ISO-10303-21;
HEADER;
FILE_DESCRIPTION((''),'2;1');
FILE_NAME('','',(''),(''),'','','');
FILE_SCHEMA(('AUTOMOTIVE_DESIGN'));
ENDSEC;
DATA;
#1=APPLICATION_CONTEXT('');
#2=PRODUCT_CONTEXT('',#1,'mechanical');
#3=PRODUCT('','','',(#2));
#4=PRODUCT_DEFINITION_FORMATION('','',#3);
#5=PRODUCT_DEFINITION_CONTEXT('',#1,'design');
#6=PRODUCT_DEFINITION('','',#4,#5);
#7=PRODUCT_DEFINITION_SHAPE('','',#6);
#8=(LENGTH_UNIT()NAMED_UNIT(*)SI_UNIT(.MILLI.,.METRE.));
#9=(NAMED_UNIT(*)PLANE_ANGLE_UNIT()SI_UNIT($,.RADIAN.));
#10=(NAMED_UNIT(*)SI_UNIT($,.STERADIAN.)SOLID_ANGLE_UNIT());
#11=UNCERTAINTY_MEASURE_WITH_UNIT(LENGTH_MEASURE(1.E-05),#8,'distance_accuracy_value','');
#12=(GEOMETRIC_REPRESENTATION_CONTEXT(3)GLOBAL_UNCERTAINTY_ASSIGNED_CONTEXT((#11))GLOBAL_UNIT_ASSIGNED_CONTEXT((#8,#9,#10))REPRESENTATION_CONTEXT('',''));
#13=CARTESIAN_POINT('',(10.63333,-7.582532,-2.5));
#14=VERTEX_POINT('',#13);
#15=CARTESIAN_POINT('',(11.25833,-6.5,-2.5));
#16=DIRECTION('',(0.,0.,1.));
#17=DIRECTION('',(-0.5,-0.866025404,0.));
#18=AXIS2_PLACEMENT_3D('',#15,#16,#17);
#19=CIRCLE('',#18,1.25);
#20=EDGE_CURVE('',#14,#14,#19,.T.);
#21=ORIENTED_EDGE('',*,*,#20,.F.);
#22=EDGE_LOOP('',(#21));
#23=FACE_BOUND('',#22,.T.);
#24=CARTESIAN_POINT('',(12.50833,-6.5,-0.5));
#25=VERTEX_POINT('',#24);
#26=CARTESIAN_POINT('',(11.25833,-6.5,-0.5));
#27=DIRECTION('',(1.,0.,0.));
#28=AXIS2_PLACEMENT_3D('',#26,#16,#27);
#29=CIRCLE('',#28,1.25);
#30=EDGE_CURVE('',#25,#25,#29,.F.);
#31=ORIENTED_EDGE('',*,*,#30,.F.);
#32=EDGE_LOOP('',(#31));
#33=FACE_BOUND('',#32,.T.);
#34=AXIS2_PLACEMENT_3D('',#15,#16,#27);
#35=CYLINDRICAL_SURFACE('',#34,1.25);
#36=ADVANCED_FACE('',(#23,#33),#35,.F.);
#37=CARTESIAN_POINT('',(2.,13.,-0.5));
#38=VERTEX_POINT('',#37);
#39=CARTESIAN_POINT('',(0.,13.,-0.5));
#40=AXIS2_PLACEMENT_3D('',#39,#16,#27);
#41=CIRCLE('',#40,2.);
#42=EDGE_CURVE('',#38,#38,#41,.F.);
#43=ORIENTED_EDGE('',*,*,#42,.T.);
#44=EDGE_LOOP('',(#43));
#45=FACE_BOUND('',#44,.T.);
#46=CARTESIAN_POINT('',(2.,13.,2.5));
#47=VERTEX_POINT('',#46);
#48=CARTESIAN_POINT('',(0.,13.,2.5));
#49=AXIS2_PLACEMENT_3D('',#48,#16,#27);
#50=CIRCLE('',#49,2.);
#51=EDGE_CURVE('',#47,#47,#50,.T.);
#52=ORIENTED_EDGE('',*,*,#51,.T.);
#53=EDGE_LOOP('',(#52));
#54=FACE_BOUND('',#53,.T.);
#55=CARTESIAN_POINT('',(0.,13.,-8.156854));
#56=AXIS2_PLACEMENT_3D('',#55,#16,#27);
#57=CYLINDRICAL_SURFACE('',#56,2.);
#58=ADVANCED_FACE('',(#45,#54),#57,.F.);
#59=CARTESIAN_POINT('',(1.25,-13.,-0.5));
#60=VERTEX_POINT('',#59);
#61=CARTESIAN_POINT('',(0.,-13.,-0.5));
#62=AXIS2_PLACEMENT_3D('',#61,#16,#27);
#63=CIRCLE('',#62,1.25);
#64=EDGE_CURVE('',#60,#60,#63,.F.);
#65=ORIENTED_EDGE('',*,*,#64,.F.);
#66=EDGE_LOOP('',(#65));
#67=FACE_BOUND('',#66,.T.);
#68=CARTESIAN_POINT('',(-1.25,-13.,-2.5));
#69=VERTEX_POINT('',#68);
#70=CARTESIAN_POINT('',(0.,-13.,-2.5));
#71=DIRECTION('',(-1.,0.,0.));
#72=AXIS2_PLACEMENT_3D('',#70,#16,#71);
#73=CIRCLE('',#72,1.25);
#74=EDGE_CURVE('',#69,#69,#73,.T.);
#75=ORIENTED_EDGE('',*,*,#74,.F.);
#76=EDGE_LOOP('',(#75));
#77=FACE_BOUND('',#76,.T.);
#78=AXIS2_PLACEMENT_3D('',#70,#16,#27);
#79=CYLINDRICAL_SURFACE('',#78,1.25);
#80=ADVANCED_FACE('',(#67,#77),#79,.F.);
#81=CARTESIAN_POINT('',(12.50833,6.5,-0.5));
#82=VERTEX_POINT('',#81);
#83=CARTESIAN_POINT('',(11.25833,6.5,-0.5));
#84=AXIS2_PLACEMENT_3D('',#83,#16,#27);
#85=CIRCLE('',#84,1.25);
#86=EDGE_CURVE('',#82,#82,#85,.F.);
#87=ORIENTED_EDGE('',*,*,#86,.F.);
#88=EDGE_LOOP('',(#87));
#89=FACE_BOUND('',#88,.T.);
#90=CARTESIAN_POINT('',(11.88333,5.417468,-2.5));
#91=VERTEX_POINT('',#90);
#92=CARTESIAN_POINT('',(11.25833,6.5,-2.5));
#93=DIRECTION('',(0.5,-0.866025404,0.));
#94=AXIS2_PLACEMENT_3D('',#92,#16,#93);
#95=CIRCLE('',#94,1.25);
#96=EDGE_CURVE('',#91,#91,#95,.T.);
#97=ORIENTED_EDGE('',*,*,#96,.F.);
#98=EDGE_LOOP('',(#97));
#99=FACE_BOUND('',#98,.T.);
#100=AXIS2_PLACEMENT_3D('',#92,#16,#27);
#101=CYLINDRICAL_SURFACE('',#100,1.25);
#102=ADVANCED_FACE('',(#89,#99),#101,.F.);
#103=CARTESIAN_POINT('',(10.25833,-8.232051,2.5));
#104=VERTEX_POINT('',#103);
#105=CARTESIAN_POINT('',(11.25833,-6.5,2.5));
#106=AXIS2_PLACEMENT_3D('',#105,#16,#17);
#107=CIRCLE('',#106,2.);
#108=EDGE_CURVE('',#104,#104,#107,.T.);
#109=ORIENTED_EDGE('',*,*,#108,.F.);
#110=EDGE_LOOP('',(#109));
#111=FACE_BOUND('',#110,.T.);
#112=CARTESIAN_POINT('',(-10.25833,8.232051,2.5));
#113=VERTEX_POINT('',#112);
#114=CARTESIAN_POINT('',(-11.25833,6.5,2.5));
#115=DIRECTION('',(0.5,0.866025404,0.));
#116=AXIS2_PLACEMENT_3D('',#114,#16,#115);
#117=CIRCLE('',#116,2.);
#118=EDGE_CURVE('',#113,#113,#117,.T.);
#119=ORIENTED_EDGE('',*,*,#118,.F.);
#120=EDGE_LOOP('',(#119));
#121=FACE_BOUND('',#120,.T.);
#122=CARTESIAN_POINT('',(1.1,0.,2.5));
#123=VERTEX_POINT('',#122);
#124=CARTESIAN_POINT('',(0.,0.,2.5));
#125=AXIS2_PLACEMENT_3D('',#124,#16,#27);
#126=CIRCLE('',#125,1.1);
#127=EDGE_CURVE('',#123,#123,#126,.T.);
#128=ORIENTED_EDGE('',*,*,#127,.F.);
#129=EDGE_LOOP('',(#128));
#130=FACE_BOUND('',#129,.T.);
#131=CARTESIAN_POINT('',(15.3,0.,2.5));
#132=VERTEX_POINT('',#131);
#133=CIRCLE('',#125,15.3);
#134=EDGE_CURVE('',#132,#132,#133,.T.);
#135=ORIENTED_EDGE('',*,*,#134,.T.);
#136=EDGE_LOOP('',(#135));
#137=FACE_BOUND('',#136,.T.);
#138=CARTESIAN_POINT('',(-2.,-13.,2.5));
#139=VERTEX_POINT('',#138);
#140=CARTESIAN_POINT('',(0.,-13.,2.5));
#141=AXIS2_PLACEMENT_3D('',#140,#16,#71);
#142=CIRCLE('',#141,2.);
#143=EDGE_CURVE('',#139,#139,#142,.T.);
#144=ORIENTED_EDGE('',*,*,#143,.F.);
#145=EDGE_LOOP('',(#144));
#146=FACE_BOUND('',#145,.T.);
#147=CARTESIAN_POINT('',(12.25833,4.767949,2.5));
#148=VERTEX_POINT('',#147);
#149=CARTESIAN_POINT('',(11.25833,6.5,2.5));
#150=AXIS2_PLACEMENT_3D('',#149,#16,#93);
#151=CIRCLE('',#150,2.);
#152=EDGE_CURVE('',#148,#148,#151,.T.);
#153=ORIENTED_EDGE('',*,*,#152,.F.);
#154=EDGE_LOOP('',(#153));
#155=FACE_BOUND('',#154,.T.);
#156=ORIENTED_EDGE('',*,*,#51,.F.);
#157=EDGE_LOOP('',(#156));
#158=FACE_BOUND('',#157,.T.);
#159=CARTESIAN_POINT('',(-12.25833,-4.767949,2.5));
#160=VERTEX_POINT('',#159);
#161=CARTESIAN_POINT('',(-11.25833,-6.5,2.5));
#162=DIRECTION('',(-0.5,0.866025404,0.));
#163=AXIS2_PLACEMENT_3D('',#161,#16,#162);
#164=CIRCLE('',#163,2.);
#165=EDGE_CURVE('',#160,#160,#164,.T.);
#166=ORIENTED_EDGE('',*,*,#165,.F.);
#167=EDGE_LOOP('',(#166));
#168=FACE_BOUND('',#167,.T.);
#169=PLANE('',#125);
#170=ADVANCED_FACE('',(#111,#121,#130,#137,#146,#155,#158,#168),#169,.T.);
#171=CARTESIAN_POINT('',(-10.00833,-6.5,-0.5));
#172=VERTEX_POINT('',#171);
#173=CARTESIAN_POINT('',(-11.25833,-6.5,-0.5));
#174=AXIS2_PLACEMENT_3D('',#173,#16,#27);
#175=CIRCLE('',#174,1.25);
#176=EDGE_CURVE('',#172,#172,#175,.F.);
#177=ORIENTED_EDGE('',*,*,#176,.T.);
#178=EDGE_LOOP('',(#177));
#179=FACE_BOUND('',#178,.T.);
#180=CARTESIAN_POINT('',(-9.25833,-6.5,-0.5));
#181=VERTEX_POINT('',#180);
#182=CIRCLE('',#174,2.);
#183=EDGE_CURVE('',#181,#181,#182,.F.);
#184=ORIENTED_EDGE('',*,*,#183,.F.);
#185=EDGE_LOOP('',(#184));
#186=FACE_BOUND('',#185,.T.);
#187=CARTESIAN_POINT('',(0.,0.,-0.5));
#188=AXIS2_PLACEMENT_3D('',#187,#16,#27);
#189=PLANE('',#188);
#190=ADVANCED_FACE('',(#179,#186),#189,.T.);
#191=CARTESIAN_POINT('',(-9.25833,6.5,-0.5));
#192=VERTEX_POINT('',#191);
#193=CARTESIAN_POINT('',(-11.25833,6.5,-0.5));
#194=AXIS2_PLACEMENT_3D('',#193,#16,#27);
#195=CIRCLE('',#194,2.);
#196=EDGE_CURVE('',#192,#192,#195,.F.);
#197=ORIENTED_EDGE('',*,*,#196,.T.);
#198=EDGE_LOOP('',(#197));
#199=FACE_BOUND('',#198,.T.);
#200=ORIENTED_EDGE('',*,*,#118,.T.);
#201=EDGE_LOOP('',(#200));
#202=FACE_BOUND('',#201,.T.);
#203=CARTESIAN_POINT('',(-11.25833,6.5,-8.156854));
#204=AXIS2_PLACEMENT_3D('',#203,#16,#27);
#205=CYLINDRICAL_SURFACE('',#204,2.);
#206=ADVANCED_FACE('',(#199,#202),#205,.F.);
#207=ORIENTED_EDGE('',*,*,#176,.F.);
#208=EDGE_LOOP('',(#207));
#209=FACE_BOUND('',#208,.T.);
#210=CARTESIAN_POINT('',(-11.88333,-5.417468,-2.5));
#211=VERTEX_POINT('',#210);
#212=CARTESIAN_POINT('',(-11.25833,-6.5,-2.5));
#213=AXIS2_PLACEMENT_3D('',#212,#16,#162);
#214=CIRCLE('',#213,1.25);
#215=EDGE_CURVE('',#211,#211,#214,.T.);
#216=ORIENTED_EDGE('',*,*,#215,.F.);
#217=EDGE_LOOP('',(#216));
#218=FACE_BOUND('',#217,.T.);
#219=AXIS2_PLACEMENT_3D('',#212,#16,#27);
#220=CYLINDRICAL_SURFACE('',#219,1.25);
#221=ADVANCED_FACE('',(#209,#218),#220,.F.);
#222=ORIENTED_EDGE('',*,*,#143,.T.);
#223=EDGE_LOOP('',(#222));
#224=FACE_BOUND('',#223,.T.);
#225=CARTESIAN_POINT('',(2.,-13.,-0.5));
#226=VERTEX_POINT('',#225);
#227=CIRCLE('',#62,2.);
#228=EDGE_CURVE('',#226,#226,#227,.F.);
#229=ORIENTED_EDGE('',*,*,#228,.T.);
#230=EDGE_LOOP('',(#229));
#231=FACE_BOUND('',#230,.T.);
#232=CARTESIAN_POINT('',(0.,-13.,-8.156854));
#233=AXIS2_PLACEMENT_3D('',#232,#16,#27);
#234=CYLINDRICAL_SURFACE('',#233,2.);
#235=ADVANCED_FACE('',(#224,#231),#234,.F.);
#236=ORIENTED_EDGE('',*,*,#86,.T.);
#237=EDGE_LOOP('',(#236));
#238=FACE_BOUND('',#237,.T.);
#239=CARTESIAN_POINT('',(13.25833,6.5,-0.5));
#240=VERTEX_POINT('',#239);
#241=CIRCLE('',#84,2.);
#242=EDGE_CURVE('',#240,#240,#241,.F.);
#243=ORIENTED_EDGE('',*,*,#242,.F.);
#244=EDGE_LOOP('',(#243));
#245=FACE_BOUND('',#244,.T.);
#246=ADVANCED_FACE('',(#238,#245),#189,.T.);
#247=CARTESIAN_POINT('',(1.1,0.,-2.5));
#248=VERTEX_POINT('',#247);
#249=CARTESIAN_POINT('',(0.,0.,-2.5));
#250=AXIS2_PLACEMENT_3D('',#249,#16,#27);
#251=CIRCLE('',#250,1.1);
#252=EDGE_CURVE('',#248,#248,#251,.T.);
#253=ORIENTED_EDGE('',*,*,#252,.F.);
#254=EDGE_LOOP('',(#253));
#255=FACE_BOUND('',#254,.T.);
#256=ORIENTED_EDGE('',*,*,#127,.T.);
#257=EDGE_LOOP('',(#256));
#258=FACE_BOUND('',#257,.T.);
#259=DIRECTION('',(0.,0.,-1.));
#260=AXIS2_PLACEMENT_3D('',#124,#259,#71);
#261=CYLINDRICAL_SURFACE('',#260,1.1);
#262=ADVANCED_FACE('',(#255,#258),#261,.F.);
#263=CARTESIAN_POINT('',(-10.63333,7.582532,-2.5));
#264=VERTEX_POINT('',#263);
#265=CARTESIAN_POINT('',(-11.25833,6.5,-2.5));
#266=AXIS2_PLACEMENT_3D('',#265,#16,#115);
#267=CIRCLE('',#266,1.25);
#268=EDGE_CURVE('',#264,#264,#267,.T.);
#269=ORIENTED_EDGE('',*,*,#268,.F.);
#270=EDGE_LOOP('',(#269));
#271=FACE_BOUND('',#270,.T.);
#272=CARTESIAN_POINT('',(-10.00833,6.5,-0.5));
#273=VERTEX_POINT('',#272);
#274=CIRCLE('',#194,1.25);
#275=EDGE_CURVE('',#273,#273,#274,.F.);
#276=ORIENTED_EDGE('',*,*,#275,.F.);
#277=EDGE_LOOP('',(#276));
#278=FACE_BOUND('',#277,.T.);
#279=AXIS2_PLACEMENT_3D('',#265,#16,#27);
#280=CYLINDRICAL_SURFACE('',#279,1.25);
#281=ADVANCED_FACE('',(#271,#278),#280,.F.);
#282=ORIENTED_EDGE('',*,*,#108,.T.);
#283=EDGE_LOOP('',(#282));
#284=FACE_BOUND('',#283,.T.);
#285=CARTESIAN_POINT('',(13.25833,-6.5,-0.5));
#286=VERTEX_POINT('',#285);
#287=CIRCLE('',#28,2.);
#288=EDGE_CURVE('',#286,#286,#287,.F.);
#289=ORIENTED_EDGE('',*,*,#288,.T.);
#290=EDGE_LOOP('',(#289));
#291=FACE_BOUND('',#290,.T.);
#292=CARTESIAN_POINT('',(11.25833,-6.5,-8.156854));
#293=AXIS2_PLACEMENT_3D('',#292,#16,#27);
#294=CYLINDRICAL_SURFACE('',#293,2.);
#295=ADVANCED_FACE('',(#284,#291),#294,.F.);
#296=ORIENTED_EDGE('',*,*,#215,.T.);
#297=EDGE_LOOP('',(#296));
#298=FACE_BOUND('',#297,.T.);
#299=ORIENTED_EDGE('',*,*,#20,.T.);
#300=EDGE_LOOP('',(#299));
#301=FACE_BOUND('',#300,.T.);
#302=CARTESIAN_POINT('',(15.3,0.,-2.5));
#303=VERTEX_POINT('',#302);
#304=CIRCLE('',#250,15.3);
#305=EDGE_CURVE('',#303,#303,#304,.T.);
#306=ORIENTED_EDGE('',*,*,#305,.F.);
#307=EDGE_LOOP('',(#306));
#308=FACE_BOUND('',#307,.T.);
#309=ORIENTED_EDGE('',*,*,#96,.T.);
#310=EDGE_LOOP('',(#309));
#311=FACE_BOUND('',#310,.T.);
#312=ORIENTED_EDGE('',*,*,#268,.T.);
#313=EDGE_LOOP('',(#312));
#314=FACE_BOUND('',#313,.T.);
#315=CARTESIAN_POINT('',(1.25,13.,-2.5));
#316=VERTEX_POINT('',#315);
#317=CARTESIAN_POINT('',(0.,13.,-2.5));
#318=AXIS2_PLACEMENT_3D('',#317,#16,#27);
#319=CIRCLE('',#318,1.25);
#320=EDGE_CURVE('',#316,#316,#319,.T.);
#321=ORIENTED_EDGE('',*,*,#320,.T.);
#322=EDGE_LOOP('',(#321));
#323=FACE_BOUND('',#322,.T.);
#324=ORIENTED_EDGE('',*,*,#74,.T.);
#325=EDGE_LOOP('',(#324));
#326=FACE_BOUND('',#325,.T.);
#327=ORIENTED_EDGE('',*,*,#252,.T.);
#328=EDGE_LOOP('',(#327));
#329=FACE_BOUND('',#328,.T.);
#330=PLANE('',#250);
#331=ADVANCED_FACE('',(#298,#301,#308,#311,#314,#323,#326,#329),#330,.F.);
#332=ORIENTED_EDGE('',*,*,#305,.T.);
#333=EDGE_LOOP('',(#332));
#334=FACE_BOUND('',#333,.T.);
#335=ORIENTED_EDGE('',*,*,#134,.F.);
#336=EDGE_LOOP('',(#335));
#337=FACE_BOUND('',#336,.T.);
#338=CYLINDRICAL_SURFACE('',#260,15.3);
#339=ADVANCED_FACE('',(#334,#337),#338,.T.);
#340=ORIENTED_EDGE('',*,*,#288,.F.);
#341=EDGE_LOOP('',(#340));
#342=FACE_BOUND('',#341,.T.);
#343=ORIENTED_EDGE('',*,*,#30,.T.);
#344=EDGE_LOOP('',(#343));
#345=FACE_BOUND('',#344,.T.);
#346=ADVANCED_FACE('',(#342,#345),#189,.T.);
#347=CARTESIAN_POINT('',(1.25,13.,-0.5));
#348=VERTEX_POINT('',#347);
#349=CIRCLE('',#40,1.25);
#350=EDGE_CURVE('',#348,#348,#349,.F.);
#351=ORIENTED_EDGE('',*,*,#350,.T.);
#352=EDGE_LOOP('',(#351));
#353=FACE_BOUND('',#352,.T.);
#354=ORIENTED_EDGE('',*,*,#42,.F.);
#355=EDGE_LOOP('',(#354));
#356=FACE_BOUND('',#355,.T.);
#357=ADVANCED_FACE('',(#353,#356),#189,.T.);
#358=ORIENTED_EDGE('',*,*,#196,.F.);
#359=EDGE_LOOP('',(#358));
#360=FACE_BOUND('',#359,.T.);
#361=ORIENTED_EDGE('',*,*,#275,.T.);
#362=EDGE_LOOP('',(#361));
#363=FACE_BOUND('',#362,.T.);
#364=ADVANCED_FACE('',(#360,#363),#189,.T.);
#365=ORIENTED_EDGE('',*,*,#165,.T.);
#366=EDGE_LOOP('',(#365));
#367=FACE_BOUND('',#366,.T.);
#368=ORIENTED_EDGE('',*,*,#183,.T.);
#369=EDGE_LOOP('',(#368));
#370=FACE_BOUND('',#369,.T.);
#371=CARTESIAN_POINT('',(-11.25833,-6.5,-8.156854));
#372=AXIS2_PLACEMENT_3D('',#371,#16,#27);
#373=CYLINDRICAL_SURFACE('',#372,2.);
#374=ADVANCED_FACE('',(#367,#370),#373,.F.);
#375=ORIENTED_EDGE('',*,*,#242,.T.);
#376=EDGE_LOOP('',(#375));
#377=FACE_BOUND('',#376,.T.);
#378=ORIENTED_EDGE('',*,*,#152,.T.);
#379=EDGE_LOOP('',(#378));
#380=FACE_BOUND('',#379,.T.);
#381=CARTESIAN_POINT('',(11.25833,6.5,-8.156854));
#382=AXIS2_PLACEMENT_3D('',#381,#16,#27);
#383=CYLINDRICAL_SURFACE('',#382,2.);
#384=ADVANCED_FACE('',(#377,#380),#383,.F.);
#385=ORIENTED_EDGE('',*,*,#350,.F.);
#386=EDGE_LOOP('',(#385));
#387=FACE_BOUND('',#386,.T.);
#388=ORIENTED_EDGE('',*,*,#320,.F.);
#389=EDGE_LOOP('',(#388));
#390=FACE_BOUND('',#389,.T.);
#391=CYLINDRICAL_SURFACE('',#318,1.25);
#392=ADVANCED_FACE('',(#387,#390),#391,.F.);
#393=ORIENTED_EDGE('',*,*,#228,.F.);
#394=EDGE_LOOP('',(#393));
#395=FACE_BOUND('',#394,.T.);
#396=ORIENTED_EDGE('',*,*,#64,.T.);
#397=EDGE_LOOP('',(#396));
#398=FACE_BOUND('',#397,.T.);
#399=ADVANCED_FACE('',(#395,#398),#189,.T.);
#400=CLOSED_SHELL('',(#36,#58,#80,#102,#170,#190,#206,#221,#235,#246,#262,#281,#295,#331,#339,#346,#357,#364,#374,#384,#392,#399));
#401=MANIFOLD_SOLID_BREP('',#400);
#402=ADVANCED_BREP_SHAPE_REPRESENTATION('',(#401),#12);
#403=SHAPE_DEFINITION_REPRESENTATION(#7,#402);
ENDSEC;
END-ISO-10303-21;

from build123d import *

# Parameters (mm, degrees)
SKETCH_1_R               = 15.3
SKETCH_1_R_2             = 1.1
EXTRUDE_1_DEPTH          = 2.5
SKETCH_2_R               = 1.25
CUT_EXTRUDE_1_DEPTH      = 23.207656337
SKETCH_2_2_R             = 2
CUT_EXTRUDE_2_DEPTH      = 3
PATTERN_CIRCULAR_1_COUNT = 6


with BuildPart() as part:
    # 草图1 → 凸台-拉伸1 (new, symmetric)
    with BuildSketch(Plane.XY):
        Circle(SKETCH_1_R)
        Circle(SKETCH_1_R_2, mode=Mode.SUBTRACT)
    extrude(amount=EXTRUDE_1_DEPTH, both=True)

    # 草图2 → 切除-拉伸1 (cut, through all)
    with BuildSketch(Plane.XY.offset(2.5)):
        with Locations((0, 13)):
            Circle(SKETCH_2_R)
    cut_extrude_1 = extrude(amount=-CUT_EXTRUDE_1_DEPTH, mode=Mode.SUBTRACT)

    # 草图2<2> → 切除-拉伸2 (cut)
    with BuildSketch(Plane.XY.offset(2.5)):
        with Locations((0, 13)):
            Circle(SKETCH_2_2_R)
    cut_extrude_2 = extrude(amount=-CUT_EXTRUDE_2_DEPTH, mode=Mode.SUBTRACT)

    # 阵列(圆周)1: 切除-拉伸1, 切除-拉伸2 ×6 about axis
    pattern_circular_1_axis = Axis((0, 0, 0), (0, 0, 1))
    add([cut_extrude_1.rotate(pattern_circular_1_axis, i * 360 / PATTERN_CIRCULAR_1_COUNT) for i in range(1, PATTERN_CIRCULAR_1_COUNT)], mode=Mode.SUBTRACT)
    add([cut_extrude_2.rotate(pattern_circular_1_axis, i * 360 / PATTERN_CIRCULAR_1_COUNT) for i in range(1, PATTERN_CIRCULAR_1_COUNT)], mode=Mode.SUBTRACT)


solid = part.part
